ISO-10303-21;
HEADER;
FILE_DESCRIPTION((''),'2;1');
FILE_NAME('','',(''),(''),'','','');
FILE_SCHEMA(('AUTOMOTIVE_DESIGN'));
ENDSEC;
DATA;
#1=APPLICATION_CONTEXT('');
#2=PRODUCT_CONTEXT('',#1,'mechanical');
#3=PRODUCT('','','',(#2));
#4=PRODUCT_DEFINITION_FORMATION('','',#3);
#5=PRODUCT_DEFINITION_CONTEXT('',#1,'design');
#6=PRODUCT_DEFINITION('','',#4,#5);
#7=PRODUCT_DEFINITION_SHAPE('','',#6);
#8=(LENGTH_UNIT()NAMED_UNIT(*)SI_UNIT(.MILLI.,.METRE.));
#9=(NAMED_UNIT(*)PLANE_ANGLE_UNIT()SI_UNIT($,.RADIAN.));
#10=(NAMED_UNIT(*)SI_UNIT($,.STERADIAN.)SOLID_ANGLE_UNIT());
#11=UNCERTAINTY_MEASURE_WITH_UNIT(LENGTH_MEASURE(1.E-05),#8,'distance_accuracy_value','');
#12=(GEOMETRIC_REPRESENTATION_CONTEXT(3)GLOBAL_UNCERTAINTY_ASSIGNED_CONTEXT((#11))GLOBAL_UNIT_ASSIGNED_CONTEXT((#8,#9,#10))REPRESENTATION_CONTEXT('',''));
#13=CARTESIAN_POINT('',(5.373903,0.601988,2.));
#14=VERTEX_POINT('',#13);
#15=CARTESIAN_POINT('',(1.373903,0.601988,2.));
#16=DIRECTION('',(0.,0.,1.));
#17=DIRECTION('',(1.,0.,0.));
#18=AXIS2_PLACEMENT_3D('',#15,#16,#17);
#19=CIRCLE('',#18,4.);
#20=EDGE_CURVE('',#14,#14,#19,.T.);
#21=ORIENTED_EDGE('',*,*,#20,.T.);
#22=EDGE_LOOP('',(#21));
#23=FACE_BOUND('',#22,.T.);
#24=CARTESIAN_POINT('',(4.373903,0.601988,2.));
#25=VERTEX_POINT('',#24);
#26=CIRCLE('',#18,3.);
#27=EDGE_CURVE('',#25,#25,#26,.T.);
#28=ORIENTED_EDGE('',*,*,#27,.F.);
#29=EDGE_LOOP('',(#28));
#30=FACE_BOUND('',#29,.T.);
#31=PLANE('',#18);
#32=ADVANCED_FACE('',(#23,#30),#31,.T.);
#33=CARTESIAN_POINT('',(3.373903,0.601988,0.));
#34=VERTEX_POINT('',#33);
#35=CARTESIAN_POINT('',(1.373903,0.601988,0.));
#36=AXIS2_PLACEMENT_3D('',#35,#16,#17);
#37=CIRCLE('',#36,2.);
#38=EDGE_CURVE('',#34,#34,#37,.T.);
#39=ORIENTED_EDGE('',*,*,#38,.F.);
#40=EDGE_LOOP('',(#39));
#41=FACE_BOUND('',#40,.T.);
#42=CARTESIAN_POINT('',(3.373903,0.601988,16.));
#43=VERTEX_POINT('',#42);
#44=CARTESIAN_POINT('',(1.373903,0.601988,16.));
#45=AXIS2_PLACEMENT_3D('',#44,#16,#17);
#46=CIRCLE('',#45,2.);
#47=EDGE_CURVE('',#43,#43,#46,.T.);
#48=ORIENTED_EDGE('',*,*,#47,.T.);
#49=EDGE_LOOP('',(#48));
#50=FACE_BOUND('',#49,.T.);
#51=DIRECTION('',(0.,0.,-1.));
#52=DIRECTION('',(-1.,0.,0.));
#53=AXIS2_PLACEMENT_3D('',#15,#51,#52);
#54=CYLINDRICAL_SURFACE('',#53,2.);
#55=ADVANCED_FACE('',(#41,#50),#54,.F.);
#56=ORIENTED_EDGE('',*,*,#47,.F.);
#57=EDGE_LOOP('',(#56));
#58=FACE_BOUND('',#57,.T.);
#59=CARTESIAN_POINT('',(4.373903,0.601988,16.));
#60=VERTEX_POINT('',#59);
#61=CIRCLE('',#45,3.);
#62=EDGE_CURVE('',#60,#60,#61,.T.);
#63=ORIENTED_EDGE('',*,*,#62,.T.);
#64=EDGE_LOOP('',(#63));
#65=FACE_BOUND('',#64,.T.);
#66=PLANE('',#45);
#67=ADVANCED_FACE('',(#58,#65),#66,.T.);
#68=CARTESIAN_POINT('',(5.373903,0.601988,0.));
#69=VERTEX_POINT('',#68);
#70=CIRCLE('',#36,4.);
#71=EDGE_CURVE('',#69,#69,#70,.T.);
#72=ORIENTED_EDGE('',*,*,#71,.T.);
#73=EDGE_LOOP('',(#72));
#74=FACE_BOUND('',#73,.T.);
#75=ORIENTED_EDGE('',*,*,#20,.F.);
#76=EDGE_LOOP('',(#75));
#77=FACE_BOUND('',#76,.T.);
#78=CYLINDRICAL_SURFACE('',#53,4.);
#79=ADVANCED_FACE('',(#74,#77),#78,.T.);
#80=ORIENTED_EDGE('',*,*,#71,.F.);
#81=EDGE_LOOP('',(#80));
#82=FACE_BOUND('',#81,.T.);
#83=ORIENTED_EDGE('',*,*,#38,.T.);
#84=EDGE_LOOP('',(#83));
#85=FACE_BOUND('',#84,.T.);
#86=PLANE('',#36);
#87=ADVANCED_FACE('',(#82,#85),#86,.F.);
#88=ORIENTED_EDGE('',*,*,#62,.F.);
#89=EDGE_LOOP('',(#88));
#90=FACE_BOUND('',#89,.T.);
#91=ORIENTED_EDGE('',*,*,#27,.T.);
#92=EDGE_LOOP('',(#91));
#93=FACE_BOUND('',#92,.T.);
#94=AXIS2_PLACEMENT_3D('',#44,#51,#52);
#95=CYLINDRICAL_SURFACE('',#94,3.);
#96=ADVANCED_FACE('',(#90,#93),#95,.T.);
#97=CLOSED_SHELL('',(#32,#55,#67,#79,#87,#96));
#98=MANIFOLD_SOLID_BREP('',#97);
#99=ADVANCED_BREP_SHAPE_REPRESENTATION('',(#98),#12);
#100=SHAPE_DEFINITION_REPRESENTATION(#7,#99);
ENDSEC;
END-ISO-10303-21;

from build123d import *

# Parameters (mm, degrees)
ESQUISSE1_R        = 4
ESQUISSE1_R_2      = 2
BOSS_EXTRU_1_DEPTH = 2
ESQUISSE2_R        = 3
ESQUISSE2_R_2      = 2
BOSS_EXTRU_2_DEPTH = 14


with BuildPart() as part:
    # Esquisse1 → Boss.-Extru.1 (new body)
    with BuildSketch(Plane.XY):
        with Locations((1.373903483, 0.601987724)):
            Circle(ESQUISSE1_R)
        with Locations((1.373903483, 0.601987724)):
            Circle(ESQUISSE1_R_2, mode=Mode.SUBTRACT)
    extrude(amount=BOSS_EXTRU_1_DEPTH)

    # Esquisse2 → Boss.-Extru.2 (add)
    with BuildSketch(Plane.XY.offset(2)):
        with Locations((1.373903483, 0.601987724)):
            Circle(ESQUISSE2_R)
        with Locations((1.373903483, 0.601987724)):
            Circle(ESQUISSE2_R_2, mode=Mode.SUBTRACT)
    extrude(amount=BOSS_EXTRU_2_DEPTH)


solid = part.part
